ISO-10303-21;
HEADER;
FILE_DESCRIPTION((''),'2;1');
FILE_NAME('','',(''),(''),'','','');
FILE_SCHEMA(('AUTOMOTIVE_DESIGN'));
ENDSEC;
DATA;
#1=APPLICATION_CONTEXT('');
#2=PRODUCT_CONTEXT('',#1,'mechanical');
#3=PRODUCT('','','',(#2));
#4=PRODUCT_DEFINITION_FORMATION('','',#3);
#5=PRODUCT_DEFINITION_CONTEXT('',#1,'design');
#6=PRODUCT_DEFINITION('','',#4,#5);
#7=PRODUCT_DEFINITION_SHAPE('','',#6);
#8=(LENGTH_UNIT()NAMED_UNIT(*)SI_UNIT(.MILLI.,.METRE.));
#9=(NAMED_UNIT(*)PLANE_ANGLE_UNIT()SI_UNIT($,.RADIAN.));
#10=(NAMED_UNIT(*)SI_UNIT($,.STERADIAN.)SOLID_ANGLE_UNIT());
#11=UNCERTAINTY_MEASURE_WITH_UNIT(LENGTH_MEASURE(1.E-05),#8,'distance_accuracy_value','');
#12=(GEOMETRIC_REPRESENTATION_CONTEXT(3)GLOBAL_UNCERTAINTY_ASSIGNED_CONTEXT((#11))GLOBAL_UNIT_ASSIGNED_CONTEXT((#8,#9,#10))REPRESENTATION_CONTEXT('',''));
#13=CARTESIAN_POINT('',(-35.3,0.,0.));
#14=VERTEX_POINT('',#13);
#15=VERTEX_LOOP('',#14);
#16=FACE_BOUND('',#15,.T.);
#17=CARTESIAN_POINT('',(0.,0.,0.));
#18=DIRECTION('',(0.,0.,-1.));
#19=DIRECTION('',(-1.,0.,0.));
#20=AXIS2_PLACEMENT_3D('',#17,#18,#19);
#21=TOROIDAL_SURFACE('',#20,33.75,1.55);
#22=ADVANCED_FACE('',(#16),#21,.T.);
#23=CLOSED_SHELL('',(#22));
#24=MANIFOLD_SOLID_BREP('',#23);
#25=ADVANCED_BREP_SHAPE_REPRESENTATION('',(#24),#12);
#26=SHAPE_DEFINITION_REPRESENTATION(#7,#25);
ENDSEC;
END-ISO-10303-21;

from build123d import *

# Parameters (mm, degrees)
SKETCH2_R = 1.55


with BuildPart() as part:
    # Sweep1: sweep along a path in Sketch1
    with BuildLine(Plane.XY) as sweep1_path:
        CenterArc((0, 0), 32.2, 0, 360)
    # Sketch2 → Sweep1 (sweep)
    with BuildSketch(Plane(origin=(0, 0, 0), x_dir=(1, 0, 0), z_dir=(0, 1, 0))):
        with Locations((-33.75, 0)):
            Circle(SKETCH2_R)
    sweep(path=sweep1_path.line)


solid = part.part
